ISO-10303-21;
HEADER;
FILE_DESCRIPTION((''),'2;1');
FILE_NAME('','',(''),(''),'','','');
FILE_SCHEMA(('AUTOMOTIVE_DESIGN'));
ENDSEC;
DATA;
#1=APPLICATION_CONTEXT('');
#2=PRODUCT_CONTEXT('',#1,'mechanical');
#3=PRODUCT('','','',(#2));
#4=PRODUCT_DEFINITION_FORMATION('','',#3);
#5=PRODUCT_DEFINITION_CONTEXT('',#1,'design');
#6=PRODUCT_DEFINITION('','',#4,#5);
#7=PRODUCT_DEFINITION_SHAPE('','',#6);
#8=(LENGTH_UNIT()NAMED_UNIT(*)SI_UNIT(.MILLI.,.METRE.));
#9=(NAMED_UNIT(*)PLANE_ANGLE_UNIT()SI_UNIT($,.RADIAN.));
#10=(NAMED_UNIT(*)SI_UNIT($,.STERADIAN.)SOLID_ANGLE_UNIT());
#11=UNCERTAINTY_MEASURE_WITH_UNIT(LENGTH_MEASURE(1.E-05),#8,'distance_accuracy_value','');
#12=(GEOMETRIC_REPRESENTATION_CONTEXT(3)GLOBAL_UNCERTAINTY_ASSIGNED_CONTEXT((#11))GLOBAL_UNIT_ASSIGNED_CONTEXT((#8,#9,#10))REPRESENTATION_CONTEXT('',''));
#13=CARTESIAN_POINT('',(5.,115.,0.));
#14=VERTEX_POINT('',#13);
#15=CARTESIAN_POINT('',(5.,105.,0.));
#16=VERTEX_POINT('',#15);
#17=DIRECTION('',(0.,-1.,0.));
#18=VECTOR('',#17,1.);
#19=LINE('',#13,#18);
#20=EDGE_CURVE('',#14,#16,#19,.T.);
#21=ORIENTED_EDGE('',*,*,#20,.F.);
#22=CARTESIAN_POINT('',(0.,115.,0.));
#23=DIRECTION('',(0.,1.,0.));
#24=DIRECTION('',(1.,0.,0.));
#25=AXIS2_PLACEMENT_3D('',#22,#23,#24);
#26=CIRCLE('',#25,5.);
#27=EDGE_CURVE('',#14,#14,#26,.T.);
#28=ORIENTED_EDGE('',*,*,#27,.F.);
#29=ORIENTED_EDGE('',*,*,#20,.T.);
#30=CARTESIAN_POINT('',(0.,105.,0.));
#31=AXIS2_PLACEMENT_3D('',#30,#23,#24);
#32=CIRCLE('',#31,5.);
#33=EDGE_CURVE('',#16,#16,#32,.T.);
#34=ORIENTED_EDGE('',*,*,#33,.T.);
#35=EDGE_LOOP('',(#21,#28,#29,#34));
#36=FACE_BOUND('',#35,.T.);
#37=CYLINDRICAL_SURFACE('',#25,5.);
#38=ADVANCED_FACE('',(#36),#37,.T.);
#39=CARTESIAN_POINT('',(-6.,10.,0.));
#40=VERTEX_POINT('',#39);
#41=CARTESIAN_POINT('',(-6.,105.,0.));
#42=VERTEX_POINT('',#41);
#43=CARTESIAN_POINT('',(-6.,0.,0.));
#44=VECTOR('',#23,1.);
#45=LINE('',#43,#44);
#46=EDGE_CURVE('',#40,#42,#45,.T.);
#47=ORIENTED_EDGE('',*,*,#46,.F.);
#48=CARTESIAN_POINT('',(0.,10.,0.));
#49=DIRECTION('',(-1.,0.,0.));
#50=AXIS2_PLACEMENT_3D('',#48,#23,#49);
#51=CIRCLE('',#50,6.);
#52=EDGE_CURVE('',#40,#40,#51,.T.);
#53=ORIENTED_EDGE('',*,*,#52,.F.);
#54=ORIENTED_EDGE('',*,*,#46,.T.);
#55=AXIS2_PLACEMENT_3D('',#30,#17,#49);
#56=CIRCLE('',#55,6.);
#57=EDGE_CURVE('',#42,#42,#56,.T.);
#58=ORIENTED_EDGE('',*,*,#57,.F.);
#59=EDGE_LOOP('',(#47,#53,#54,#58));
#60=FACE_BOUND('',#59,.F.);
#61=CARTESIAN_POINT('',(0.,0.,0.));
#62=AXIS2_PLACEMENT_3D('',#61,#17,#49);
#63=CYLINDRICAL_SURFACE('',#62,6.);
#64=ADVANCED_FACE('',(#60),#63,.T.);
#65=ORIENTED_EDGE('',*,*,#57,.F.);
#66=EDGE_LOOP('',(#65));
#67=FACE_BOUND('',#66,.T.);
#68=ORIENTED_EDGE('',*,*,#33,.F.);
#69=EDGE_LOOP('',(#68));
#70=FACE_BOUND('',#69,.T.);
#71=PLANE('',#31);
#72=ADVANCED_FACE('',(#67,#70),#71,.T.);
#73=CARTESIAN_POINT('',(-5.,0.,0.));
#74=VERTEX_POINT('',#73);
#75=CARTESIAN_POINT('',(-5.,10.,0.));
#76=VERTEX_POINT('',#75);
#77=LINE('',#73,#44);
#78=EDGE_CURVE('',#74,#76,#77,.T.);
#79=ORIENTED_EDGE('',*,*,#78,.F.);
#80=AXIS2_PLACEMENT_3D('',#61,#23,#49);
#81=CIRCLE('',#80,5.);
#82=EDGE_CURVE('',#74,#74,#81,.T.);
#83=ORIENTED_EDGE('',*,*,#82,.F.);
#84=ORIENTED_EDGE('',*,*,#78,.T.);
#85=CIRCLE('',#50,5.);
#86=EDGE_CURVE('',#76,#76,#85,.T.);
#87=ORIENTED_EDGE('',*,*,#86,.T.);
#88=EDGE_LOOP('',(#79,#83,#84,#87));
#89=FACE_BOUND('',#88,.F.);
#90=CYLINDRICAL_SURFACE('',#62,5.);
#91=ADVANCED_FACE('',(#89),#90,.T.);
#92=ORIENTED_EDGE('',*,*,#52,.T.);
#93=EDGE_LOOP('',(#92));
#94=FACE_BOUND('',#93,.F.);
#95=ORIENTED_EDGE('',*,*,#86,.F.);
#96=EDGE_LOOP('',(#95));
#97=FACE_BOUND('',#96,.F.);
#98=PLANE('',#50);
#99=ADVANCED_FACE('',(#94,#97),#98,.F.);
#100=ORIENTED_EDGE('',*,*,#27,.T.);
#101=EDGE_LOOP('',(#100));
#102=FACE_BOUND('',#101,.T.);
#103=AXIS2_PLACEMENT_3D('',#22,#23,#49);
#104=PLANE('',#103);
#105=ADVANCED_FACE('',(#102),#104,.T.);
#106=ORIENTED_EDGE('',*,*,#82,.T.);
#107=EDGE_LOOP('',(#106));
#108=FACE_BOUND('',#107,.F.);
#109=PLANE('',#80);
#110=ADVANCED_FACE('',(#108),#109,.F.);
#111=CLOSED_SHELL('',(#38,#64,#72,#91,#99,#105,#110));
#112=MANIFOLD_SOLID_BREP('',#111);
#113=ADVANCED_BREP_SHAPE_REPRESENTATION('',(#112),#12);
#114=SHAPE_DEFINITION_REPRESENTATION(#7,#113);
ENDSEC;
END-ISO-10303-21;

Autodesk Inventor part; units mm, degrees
ref_plane "YZ Plane" through (0, 0, 0) normal (1, 0, 0) x (0, 1, 0)
ref_plane "XZ Plane" through (0, 0, 0) normal (0, 1, 0) x (-1, 0, 0)
ref_plane "XY Plane" through (0, 0, 0) normal (0, 0, 1) x (1, 0, 0)
sketch "Sketch1" plane through (0, 0, 0) normal (0, 1, 0) x (-1, 0, 0)
  circle A0 centre (0, 0) radius 6
  circle A1 centre (0, 0) radius 5
  dimension "d0" = 12
  dimension "d1" = 10
extrude "Extrusion1" add sketch "Sketch1" along normal blind 115 contours A0 | A1
extrude "Extrusion2" cut sketch "Sketch1" along normal blind 10
sketch "Sketch2" plane through (0, 115, 0) normal (0, 1, 0) x (1, 0, 0)
  circle A0 centre (0, 0) radius 5
  circle A1 centre (0, 0) radius 6 projected
  dimension "d6" = 10
extrude "Extrusion3" cut sketch "Sketch2" against normal blind 10
thread "Thread1" size "M10x1" class "6g" standard "ANSI Metric M Profile" length 30
thread "Thread2" size "M10x1" class "6g" standard "ANSI Metric M Profile" length 30
properties part number "Handle" material "Stainless Steel"
